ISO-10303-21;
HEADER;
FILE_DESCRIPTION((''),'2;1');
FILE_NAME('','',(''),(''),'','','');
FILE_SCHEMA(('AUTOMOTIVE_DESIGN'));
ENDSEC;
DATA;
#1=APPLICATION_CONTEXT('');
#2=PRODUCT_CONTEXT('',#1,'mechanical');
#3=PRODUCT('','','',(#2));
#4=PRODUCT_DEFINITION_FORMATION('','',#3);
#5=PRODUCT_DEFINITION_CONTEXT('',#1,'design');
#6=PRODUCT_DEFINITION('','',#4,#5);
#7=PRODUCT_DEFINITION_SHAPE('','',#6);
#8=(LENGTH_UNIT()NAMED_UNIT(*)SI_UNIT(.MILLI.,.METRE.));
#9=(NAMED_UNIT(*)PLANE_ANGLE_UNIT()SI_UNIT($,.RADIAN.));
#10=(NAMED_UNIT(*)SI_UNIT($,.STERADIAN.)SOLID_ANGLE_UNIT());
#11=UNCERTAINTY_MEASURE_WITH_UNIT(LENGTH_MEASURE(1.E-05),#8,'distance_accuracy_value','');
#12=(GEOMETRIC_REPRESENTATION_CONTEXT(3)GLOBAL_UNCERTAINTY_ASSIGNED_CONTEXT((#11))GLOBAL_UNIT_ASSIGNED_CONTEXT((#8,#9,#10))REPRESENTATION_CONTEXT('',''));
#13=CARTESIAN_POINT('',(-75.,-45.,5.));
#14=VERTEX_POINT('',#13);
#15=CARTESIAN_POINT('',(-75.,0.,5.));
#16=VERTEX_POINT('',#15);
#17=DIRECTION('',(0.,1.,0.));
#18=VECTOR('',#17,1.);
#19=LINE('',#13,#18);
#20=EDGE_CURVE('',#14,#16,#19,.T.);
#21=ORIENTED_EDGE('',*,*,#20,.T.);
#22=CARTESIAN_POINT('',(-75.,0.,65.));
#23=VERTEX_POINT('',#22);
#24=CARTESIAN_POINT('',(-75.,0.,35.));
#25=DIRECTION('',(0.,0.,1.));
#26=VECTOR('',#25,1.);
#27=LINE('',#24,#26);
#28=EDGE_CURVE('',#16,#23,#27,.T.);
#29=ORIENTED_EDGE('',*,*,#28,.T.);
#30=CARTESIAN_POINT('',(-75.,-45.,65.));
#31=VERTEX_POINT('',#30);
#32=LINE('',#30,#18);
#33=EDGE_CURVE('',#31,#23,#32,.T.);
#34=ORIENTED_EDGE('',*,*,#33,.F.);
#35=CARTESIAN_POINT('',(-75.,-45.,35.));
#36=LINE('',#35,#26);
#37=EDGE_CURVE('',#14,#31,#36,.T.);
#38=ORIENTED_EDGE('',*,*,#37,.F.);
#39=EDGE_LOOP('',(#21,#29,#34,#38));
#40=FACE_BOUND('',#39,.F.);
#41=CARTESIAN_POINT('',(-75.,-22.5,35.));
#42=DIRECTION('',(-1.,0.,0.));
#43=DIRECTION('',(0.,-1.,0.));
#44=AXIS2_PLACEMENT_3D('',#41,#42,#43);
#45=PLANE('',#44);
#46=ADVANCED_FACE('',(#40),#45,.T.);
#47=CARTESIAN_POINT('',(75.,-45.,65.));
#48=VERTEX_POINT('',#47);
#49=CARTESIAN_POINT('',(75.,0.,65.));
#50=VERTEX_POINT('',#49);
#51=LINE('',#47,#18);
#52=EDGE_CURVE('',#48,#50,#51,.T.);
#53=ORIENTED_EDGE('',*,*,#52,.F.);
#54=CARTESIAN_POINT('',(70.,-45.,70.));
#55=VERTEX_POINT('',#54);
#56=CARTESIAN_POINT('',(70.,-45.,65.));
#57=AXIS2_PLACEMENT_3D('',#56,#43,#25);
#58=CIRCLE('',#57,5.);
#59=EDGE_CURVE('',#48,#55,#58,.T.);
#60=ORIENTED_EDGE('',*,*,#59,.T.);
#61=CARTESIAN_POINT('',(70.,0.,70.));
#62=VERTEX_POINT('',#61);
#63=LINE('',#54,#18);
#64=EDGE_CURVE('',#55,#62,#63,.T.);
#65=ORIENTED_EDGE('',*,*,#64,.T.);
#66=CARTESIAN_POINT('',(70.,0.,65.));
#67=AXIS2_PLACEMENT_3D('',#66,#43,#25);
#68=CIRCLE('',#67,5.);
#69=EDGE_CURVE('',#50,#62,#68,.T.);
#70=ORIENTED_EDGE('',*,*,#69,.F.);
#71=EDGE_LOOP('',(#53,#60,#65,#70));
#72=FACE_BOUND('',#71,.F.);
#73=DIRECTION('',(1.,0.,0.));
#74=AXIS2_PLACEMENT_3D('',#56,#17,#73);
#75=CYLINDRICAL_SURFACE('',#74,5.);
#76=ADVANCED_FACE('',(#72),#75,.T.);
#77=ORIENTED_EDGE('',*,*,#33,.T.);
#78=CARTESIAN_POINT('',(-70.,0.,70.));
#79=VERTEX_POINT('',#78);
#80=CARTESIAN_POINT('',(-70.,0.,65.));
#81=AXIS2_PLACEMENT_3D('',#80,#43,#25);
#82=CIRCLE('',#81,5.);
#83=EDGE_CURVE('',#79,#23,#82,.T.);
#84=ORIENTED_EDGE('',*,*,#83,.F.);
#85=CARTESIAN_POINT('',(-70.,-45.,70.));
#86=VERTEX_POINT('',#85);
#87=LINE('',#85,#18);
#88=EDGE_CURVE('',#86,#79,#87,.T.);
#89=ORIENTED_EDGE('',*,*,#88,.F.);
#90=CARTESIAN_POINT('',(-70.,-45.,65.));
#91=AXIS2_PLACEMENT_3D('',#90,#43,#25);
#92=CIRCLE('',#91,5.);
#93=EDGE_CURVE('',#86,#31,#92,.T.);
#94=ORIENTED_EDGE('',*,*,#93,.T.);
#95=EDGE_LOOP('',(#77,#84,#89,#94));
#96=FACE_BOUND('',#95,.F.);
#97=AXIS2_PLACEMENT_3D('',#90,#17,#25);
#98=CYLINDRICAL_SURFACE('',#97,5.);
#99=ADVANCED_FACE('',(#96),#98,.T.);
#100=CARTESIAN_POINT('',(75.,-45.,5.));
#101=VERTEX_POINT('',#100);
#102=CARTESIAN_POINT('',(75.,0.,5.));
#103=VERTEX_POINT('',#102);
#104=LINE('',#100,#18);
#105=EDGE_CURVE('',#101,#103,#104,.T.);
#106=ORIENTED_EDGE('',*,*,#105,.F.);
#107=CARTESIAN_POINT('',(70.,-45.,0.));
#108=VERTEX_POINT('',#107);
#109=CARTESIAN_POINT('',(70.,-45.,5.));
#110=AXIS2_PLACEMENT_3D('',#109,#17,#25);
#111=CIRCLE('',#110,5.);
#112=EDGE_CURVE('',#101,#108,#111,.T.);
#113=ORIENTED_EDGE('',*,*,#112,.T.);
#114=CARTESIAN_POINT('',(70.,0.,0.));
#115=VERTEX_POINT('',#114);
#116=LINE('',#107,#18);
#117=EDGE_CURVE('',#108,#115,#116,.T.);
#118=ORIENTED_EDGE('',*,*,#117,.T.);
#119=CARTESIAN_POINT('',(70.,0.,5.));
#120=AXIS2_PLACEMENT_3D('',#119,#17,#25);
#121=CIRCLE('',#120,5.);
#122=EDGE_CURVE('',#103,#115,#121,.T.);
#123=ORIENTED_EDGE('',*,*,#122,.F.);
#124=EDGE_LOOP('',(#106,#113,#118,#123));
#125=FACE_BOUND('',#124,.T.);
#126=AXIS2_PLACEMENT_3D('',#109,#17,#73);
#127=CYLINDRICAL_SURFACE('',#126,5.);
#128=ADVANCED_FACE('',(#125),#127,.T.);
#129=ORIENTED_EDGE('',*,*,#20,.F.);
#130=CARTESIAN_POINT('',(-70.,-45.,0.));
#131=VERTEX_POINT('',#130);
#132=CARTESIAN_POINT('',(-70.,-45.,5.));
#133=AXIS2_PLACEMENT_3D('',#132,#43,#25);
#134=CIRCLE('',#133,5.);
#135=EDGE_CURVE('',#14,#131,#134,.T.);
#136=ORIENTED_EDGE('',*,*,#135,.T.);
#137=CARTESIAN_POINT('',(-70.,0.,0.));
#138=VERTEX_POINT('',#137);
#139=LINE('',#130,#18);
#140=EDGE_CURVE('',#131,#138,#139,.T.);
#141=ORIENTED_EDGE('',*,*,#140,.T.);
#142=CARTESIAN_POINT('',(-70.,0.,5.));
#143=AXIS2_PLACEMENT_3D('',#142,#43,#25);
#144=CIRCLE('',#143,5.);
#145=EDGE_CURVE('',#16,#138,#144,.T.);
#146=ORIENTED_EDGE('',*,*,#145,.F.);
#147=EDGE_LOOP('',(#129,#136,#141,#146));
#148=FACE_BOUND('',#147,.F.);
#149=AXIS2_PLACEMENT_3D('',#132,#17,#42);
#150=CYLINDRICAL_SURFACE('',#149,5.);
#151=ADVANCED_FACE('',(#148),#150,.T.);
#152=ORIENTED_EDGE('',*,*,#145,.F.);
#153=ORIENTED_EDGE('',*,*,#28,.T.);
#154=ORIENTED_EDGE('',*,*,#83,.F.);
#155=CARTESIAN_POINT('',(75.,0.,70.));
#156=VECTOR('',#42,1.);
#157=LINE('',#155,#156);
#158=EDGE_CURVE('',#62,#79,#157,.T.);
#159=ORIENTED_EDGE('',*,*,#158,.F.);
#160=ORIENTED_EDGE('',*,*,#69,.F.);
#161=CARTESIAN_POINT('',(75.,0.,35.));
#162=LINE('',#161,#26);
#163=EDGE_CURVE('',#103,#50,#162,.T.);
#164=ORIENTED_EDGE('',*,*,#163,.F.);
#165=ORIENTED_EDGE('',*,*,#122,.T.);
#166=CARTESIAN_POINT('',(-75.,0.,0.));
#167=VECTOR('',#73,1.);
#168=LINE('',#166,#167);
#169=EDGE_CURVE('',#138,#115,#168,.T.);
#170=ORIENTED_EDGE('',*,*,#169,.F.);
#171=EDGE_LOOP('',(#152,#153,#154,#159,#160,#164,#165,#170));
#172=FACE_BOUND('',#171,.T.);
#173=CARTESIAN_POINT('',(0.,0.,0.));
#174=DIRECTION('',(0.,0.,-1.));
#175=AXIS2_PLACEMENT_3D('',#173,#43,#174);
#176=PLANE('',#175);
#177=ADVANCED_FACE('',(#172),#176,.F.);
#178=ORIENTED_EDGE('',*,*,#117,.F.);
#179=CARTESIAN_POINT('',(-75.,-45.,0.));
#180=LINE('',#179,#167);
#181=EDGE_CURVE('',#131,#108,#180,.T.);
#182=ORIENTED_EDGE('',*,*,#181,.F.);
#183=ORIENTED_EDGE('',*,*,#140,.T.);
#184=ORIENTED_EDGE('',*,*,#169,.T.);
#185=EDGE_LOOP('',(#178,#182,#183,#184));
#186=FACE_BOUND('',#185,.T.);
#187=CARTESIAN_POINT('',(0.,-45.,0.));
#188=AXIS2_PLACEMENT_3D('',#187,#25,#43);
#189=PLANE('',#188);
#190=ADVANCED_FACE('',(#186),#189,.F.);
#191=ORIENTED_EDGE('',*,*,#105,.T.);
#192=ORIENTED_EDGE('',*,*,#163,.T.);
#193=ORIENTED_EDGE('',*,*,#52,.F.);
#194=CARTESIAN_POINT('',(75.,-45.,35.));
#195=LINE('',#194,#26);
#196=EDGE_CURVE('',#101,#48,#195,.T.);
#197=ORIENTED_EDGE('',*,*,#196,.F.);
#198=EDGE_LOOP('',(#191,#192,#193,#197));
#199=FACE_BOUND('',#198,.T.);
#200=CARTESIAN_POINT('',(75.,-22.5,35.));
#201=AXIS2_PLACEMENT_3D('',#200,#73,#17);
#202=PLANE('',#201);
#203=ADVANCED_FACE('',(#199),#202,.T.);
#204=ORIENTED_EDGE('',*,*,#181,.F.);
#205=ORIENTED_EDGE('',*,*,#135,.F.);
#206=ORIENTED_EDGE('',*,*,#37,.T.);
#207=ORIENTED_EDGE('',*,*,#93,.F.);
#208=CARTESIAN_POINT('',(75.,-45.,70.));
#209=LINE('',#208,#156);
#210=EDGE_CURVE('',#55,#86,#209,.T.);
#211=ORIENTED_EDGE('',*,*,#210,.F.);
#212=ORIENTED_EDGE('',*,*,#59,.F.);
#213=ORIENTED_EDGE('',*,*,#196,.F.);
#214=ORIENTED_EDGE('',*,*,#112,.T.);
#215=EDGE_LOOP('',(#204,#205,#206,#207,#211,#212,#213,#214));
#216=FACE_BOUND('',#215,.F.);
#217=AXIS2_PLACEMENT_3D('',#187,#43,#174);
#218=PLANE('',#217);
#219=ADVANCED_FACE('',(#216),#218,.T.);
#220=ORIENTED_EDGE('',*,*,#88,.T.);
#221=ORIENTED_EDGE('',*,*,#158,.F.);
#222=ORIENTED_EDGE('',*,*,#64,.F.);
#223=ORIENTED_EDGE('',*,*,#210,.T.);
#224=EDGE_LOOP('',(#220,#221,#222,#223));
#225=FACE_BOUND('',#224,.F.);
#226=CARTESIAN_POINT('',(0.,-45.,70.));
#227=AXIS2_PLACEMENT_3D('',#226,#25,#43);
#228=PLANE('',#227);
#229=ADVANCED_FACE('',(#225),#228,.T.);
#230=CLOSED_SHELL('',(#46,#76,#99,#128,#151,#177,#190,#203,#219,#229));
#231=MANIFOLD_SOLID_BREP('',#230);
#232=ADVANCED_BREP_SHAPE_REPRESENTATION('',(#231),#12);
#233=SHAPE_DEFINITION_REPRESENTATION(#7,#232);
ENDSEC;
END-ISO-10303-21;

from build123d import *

# Parameters (mm, degrees)
F0_W     = 45
F0_H     = 70
F1_DEPTH = 75
F3_R     = 5


with BuildPart() as f1:
    # F0 (on Right) → F1 (new body)
    with BuildSketch(Plane.YZ):
        with Locations((-22.5, 35)):
            Rectangle(F0_W, F0_H)
    extrude(amount=F1_DEPTH)

    # F2: F1 across face


with BuildPart() as f1_1:
    add(f1.part)
    add(f1.part.mirror(Plane(origin=(0, -22.5, 35), x_dir=(0, 1, 0), z_dir=(-1, 0, 0))))

    # F3
    f3_edges = [f1_1.edges().sort_by_distance(p)[0] for p in [
        (-75, -22.5, 70),
        (75, -22.5, 70),
        (75, -22.5, 0),
        (-75, -22.5, 0),
    ]]
    fillet(f3_edges, radius=F3_R)


solid = f1_1.part
